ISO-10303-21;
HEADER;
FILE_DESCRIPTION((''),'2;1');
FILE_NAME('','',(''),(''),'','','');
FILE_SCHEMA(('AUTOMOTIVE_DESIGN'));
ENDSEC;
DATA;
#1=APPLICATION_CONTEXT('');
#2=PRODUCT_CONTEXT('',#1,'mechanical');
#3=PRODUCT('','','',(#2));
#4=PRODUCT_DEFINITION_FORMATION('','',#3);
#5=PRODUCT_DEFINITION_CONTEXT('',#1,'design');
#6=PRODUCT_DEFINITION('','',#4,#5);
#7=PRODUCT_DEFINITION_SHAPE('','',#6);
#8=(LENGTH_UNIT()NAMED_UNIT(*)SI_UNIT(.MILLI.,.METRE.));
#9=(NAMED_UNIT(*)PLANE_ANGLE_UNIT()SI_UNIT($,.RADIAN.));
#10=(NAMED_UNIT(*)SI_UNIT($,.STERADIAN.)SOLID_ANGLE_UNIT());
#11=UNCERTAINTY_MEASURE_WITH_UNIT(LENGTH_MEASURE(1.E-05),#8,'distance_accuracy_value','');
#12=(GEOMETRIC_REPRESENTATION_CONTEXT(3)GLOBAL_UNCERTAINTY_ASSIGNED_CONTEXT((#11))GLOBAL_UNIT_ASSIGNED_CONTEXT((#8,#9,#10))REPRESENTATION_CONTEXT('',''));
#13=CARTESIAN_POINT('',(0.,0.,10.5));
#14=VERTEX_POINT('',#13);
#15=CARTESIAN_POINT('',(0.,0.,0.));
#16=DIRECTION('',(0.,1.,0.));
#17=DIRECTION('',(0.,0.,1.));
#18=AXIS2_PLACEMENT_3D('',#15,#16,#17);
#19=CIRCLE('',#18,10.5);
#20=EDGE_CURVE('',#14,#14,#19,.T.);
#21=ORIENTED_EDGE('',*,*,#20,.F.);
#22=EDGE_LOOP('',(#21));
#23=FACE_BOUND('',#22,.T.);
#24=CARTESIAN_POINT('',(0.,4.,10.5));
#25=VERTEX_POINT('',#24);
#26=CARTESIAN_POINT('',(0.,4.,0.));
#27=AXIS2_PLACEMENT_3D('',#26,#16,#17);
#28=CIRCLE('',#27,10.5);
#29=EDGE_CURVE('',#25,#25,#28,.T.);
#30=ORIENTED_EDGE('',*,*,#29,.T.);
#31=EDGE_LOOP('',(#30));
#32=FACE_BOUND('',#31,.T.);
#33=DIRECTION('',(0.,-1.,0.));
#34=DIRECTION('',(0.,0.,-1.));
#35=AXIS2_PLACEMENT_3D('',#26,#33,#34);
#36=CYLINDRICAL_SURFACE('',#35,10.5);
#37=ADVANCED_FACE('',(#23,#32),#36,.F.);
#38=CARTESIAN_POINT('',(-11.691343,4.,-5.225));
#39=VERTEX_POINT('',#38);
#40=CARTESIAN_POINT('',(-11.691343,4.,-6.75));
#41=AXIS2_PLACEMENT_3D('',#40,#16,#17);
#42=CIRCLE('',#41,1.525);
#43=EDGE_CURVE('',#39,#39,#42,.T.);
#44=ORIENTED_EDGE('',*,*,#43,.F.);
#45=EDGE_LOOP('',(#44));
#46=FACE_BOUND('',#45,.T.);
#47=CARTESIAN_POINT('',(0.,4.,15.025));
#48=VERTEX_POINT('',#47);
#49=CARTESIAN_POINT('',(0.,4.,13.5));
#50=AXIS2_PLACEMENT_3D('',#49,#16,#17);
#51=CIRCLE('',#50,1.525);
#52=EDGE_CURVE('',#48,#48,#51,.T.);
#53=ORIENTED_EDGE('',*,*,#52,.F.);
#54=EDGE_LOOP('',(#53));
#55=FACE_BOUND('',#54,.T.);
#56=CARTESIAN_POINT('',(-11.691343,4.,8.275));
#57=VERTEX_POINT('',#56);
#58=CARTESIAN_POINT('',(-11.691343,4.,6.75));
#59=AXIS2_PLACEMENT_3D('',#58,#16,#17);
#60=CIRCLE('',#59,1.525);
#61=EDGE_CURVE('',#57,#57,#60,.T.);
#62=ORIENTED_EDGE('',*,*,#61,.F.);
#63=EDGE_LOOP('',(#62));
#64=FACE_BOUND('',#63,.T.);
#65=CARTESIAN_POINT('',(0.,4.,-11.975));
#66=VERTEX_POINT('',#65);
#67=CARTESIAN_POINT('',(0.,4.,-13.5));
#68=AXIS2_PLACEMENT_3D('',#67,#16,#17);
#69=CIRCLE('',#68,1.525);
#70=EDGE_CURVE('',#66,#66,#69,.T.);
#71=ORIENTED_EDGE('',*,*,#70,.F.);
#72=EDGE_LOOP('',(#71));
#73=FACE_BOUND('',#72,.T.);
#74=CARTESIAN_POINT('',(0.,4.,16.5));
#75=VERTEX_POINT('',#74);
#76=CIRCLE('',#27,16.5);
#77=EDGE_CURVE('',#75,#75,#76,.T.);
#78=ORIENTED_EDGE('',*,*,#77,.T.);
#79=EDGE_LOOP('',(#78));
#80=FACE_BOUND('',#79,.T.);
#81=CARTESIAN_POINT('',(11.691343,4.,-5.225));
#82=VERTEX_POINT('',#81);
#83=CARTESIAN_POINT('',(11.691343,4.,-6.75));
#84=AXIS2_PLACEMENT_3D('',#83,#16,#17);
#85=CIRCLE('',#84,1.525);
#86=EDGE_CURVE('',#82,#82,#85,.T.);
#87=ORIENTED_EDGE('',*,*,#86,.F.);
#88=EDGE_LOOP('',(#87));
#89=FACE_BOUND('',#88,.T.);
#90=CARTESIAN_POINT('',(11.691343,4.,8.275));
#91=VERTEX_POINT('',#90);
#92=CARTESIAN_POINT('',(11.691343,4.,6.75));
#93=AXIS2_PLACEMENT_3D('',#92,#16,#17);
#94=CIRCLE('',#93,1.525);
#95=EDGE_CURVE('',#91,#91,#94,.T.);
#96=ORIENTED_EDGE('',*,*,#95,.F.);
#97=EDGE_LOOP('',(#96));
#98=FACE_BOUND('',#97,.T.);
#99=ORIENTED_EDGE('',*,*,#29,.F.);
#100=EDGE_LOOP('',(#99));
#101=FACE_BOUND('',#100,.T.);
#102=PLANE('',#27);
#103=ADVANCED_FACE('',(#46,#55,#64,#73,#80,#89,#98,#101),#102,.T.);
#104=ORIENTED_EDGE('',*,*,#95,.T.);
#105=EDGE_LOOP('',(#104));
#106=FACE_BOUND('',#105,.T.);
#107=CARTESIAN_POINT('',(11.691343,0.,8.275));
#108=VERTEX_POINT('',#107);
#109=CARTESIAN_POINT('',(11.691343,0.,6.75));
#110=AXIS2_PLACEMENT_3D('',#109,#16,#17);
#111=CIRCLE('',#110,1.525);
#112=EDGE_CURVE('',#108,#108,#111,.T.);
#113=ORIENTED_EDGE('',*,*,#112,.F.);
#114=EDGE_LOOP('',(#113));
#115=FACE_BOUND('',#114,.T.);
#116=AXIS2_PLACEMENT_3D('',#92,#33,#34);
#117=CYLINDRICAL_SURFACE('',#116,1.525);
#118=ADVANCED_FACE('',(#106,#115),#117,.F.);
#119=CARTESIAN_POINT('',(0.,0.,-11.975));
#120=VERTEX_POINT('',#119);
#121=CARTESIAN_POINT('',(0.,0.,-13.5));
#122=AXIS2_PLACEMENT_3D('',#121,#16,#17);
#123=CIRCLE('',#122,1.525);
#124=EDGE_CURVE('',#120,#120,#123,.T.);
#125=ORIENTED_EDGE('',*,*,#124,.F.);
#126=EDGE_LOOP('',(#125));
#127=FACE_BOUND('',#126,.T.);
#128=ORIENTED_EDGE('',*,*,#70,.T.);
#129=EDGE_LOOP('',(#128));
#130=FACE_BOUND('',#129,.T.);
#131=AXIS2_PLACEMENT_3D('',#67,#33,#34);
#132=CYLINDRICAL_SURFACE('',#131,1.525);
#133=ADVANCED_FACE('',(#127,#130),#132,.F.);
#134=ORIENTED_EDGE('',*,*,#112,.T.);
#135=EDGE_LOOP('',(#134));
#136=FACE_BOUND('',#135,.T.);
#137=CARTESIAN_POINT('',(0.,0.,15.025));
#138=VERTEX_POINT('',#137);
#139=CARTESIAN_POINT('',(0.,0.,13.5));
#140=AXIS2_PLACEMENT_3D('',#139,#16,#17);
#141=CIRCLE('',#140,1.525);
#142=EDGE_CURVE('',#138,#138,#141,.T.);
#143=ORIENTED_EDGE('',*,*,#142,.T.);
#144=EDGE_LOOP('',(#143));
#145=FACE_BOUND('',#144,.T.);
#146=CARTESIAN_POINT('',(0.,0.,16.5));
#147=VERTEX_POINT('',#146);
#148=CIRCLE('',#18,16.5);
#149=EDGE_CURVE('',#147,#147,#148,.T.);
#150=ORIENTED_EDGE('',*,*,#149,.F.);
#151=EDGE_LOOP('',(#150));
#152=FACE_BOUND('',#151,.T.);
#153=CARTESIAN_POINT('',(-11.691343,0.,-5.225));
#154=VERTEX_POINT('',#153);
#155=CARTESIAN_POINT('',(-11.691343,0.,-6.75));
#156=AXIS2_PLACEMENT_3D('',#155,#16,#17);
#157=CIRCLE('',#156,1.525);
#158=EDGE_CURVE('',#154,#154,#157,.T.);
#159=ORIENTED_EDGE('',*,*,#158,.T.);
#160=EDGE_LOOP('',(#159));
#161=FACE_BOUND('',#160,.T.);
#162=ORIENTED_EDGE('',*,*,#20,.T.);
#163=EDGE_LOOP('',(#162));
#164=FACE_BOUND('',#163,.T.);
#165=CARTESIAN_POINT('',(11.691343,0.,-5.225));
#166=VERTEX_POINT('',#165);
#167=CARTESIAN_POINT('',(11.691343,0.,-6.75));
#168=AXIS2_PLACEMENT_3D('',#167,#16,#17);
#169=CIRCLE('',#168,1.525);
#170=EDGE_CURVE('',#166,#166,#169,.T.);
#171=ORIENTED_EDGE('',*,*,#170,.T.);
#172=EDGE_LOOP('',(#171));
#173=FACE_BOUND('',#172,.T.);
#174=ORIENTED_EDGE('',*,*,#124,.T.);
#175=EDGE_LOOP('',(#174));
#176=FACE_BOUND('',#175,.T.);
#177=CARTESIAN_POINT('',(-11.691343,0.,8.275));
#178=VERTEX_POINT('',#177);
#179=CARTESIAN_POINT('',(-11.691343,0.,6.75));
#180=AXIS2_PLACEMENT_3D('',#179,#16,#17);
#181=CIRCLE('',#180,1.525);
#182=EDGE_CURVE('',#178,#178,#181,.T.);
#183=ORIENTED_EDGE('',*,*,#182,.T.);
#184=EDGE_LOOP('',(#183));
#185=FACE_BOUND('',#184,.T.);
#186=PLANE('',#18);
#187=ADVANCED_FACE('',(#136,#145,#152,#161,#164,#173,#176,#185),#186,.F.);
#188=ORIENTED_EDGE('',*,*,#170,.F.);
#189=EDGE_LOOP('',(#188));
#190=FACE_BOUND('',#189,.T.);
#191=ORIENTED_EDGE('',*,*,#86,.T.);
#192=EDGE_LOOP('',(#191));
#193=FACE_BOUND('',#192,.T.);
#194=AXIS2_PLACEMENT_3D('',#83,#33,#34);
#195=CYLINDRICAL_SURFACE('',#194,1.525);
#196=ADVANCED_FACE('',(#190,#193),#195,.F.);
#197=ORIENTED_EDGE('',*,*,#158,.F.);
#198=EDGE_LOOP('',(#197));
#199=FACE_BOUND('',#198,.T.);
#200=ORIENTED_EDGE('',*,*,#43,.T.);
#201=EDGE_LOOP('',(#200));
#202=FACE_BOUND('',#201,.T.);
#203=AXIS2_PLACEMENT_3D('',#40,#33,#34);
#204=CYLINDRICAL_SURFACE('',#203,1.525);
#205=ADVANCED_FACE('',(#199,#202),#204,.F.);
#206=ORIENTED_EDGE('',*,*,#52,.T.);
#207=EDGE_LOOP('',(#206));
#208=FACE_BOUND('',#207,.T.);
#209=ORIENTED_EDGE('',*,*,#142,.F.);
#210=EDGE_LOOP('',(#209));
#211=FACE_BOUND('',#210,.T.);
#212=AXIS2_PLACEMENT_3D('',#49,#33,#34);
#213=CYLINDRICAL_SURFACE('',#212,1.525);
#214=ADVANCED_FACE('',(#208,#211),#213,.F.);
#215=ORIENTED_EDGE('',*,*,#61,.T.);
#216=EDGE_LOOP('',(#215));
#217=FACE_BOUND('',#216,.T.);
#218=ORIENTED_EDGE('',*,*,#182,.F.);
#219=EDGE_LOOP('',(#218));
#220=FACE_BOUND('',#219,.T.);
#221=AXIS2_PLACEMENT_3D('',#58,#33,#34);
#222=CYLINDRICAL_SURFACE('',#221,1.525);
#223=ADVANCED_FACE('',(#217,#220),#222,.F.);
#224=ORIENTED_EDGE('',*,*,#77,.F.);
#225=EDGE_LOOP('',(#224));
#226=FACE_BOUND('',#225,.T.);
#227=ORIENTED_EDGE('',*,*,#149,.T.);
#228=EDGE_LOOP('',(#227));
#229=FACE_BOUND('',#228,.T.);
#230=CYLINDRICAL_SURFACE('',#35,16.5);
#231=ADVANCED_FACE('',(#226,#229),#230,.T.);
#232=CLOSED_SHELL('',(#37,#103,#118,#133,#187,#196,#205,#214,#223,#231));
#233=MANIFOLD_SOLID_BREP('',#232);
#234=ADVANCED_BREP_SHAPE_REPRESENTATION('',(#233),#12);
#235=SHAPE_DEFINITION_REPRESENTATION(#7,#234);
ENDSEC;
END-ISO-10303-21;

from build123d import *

# Parameters (mm, degrees)
SKETCH_1_R      = 16.5
SKETCH_1_R_2    = 1.525
SKETCH_1_R_3    = 10.5
EXTRUDE_1_DEPTH = 4


with BuildPart() as part:
    # 草图1 → 凸台-拉伸1 (new body)
    with BuildSketch(Plane(origin=(0, 0, 0), x_dir=(1, 0, 0), z_dir=(0, 1, 0))):
        Circle(SKETCH_1_R)
        with Locations((0, 13.5)):
            Circle(SKETCH_1_R_2, mode=Mode.SUBTRACT)
        with Locations((11.691342951, 6.75)):
            Circle(SKETCH_1_R_2, mode=Mode.SUBTRACT)
        with Locations((11.691342951, -6.75)):
            Circle(SKETCH_1_R_2, mode=Mode.SUBTRACT)
        with Locations((0, -13.5)):
            Circle(SKETCH_1_R_2, mode=Mode.SUBTRACT)
        with Locations((-11.691342951, -6.75)):
            Circle(SKETCH_1_R_2, mode=Mode.SUBTRACT)
        with Locations((-11.691342951, 6.75)):
            Circle(SKETCH_1_R_2, mode=Mode.SUBTRACT)
        Circle(SKETCH_1_R_3, mode=Mode.SUBTRACT)
    extrude(amount=EXTRUDE_1_DEPTH)


solid = part.part
